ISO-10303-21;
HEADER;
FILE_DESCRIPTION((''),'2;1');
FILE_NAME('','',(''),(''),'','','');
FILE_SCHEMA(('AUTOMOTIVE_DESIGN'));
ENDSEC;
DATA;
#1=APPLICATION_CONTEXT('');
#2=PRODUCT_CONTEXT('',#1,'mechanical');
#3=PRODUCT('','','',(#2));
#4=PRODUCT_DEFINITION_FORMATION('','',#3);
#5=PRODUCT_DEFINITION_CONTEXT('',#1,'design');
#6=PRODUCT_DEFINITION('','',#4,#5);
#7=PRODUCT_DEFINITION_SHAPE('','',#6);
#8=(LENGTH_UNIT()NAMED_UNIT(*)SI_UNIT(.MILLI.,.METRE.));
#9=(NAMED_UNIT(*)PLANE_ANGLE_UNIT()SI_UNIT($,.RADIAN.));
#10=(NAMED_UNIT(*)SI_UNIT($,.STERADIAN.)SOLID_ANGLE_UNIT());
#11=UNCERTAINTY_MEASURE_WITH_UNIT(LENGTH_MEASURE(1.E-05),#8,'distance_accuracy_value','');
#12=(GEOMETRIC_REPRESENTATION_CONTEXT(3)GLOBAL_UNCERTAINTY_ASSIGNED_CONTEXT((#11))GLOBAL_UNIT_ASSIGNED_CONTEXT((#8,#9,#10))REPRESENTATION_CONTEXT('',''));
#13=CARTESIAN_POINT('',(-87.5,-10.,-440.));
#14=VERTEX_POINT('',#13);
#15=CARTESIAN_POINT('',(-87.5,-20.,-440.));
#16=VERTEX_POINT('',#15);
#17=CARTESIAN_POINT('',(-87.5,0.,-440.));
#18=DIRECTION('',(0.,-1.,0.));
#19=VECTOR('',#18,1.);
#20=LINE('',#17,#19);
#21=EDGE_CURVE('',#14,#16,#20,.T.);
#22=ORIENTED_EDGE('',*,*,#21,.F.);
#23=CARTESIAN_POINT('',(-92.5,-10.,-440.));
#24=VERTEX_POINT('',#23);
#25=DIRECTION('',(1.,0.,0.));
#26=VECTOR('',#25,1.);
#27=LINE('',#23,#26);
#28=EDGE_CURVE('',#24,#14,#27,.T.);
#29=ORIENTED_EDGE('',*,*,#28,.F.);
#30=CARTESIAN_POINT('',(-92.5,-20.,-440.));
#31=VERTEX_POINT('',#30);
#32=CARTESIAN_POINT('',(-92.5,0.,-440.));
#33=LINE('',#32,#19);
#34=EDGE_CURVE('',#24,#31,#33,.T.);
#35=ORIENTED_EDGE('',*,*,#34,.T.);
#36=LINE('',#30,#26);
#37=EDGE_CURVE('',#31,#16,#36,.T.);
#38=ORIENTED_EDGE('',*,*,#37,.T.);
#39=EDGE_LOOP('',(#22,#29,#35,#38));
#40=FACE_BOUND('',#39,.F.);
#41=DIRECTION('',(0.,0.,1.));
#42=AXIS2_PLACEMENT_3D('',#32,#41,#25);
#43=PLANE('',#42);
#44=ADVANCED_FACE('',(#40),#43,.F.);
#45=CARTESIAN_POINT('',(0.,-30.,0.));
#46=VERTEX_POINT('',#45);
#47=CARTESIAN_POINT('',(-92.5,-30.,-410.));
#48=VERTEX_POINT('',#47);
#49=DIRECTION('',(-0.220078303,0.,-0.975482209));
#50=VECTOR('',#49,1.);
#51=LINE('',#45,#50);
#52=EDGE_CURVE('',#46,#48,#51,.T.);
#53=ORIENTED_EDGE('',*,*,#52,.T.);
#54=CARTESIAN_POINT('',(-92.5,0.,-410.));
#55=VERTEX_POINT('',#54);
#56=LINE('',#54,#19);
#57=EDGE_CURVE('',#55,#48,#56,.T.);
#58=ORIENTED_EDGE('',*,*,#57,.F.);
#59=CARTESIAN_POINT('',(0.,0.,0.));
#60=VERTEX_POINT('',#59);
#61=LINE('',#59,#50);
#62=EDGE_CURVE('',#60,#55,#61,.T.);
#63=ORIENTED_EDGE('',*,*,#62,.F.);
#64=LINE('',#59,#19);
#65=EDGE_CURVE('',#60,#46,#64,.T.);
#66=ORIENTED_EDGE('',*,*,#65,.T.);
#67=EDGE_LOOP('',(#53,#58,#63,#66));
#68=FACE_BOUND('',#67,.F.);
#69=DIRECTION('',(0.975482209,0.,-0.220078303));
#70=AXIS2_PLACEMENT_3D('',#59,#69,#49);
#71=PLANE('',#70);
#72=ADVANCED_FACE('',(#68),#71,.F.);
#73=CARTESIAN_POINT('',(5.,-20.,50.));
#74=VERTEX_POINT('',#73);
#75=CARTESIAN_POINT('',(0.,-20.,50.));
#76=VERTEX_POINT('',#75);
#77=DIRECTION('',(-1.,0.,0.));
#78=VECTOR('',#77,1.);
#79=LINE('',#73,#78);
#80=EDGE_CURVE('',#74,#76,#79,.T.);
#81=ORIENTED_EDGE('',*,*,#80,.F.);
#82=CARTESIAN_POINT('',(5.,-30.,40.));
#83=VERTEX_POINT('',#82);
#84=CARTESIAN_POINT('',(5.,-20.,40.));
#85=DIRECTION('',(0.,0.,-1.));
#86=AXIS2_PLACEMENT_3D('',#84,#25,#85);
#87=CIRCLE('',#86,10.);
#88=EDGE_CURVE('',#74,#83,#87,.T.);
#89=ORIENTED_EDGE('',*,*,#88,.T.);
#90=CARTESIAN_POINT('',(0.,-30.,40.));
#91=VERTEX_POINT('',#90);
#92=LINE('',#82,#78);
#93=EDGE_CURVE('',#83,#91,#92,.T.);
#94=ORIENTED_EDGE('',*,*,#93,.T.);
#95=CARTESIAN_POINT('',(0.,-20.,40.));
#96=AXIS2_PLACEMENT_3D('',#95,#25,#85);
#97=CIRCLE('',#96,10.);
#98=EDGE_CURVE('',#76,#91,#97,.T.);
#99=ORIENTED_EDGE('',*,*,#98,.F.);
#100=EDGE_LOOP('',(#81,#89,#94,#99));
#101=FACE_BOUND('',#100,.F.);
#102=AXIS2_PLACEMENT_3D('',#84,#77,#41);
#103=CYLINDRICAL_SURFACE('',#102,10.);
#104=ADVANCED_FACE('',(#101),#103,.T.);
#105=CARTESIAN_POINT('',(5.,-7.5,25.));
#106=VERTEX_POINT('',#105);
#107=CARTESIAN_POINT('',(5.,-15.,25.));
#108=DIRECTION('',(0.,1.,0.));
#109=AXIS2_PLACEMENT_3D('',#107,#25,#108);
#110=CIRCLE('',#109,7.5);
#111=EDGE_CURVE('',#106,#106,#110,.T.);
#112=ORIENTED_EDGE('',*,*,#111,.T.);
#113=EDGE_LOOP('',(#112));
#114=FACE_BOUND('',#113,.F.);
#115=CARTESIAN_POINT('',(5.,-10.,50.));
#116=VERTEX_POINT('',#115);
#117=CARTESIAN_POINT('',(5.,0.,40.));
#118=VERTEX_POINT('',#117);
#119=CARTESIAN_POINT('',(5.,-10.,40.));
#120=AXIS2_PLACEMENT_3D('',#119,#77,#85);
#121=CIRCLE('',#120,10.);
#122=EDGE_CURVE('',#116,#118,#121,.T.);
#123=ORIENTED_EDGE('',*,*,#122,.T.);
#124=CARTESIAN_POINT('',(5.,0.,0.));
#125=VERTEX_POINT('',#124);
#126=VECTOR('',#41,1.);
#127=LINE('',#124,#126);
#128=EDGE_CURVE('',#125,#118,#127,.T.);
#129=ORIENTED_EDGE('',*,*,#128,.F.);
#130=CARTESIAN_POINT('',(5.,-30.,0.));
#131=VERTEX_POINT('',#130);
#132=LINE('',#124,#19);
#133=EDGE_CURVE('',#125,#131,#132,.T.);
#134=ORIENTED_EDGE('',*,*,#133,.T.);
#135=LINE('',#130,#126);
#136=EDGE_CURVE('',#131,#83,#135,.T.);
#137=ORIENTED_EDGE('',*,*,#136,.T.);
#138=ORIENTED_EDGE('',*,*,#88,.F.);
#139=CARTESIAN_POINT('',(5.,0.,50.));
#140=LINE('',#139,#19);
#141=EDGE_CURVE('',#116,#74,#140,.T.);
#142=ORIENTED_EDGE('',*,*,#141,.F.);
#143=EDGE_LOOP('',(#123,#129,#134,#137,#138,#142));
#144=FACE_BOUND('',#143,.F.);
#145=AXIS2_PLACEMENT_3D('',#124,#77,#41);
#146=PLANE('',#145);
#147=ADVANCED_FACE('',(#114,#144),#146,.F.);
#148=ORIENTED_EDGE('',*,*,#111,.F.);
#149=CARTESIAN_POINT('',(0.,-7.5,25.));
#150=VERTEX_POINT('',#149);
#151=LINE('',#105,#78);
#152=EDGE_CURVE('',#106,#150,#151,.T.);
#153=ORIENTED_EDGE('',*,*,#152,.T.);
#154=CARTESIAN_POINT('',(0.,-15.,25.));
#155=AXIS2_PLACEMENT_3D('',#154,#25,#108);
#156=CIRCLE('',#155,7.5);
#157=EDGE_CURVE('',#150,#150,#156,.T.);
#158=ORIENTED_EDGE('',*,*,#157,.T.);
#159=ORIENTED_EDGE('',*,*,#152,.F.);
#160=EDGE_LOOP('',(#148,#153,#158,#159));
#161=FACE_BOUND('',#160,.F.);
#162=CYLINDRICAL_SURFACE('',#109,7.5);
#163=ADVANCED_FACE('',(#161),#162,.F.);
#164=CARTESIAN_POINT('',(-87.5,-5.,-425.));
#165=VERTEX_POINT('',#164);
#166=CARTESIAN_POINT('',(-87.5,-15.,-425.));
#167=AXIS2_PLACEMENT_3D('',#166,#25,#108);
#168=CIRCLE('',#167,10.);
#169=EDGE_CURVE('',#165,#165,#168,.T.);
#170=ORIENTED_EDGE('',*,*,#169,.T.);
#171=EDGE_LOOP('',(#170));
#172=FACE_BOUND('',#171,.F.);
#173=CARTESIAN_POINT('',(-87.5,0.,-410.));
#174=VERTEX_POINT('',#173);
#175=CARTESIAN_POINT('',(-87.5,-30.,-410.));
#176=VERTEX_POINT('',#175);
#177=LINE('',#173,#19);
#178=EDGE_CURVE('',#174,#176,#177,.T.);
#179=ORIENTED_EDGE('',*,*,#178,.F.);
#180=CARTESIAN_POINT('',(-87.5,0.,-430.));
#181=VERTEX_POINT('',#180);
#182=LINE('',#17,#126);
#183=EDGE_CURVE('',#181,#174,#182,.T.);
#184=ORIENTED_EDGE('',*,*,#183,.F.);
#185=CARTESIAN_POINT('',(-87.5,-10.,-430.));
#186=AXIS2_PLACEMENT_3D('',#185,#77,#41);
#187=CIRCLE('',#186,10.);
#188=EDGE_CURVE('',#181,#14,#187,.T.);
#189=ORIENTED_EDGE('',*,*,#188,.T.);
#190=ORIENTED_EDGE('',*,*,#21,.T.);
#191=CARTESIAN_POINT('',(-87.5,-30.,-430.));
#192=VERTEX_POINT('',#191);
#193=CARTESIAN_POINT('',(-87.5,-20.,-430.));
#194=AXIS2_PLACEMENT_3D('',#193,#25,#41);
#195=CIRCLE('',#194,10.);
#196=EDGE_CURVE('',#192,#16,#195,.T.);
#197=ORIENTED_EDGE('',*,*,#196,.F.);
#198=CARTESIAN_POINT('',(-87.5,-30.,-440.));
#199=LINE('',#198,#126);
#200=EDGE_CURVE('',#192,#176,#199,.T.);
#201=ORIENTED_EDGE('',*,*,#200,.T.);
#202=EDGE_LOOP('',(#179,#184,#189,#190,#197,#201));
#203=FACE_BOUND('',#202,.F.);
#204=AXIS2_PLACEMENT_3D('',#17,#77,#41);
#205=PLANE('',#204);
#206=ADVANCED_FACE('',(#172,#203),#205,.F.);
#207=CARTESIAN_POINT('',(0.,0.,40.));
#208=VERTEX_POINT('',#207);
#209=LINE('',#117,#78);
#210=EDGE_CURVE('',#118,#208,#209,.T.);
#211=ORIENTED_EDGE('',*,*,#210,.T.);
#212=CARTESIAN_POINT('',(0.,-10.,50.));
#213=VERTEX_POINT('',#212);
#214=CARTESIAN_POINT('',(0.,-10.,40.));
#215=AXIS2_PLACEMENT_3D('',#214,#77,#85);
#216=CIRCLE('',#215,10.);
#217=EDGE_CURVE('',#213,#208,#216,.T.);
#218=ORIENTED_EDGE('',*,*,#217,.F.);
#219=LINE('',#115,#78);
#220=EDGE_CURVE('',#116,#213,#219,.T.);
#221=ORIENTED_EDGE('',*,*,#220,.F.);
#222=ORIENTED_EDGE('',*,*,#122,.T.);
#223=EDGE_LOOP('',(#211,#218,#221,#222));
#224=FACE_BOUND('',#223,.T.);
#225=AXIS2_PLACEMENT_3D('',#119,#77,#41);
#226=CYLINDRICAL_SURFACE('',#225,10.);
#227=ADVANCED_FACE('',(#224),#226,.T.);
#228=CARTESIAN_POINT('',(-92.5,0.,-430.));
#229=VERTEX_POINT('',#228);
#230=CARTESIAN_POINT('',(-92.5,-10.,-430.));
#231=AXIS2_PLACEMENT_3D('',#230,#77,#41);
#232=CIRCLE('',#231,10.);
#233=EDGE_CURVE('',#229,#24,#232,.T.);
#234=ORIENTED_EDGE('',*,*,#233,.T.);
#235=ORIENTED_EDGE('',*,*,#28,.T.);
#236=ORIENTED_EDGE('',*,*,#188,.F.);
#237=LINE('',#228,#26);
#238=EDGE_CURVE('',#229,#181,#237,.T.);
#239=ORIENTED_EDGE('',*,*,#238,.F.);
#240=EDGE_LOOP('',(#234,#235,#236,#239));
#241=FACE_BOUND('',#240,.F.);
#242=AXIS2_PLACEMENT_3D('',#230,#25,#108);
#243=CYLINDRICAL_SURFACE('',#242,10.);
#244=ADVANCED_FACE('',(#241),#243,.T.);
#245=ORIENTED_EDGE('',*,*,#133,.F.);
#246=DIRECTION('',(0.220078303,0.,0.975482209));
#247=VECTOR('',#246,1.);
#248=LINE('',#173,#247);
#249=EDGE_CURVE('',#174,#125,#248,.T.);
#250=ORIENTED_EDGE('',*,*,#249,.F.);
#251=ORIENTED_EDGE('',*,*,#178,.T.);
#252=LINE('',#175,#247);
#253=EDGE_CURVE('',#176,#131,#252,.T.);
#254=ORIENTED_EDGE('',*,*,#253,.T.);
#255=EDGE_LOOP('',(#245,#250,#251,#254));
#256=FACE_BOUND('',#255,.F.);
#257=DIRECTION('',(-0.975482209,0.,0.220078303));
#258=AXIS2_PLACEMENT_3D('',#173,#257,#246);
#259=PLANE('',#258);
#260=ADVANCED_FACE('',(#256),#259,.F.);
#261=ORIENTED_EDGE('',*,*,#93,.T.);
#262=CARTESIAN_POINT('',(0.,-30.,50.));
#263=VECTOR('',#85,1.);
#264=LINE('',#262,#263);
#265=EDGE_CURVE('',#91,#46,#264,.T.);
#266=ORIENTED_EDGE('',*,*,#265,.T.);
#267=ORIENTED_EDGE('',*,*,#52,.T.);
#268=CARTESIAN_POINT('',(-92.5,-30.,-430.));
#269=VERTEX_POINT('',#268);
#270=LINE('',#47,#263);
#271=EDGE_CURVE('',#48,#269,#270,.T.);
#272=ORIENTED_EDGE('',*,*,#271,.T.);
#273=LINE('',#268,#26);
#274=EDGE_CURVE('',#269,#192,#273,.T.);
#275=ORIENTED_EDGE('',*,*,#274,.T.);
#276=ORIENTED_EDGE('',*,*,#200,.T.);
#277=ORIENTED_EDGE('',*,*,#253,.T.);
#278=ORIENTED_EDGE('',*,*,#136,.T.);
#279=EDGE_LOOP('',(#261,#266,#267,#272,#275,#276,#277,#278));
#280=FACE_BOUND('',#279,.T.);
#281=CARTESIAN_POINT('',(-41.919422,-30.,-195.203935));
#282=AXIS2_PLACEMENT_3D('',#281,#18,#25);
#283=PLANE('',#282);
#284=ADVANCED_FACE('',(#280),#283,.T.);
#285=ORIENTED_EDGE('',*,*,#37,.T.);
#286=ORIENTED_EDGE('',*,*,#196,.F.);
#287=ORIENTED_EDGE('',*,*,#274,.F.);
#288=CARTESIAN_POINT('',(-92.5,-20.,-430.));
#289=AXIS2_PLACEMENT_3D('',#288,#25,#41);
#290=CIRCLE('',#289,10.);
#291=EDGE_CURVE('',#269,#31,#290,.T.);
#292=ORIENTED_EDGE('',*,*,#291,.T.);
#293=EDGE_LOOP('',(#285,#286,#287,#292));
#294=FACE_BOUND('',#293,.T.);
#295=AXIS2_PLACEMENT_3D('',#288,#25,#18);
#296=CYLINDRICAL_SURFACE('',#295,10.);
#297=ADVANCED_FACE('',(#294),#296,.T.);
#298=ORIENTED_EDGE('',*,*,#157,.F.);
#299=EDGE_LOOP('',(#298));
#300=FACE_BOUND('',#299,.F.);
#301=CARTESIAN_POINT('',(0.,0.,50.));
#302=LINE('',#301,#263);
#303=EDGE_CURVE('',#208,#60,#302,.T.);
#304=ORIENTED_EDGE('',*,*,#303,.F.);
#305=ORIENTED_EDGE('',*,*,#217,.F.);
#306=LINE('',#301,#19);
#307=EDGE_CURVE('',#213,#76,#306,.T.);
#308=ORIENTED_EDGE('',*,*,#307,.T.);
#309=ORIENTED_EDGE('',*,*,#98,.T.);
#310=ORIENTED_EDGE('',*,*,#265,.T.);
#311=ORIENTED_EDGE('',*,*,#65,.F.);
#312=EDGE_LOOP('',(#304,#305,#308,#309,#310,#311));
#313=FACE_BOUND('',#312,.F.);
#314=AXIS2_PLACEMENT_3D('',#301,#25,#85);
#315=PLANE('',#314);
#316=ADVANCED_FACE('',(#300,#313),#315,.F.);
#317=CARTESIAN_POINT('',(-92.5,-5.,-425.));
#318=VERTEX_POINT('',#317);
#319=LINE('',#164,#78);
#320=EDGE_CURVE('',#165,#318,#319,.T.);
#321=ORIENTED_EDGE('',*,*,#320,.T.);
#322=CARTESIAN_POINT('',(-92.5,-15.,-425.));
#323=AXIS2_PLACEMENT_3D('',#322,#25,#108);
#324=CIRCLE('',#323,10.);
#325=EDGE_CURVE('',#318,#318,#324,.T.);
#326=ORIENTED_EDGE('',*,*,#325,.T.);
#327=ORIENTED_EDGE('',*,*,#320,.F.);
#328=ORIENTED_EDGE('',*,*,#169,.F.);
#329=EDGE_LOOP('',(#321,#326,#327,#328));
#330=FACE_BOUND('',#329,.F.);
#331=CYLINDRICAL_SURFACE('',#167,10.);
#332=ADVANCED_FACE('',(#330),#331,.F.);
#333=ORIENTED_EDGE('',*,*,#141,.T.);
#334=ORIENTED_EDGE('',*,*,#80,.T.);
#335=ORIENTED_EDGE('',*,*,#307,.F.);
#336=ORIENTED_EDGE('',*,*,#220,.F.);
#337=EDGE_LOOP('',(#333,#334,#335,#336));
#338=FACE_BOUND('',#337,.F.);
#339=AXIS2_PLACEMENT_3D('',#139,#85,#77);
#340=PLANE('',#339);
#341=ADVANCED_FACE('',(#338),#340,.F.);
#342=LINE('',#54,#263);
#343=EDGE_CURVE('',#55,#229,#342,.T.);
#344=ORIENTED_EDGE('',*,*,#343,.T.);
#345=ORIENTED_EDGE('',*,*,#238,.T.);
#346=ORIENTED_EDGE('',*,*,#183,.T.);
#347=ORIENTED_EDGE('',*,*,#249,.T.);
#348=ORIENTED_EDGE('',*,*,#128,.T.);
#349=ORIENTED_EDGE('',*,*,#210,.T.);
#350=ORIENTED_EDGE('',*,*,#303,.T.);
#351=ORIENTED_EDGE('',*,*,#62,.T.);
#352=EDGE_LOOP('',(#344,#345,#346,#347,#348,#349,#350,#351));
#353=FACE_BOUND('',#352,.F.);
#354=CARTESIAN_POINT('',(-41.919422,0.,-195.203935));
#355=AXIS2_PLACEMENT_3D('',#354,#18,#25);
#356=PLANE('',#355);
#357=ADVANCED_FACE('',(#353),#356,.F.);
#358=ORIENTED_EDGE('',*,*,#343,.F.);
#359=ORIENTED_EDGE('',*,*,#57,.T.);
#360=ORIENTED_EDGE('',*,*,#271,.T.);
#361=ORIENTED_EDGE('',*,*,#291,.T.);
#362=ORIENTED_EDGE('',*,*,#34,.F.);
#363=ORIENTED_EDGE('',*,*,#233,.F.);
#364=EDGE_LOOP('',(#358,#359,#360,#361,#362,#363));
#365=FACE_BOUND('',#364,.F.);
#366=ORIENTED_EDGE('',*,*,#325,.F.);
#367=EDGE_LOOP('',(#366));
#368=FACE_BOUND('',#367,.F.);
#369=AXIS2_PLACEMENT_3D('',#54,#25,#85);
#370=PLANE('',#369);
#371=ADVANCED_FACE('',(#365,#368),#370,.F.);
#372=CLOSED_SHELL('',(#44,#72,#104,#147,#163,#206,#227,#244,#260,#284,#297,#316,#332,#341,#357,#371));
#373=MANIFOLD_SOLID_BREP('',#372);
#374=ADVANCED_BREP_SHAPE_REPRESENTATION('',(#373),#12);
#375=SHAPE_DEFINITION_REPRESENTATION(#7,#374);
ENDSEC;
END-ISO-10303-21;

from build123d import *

# Parameters (mm, degrees)
F1_DEPTH = 30
F2_R     = 7.5
F3_DEPTH = 97.501
F4_R     = 10
F5_DEPTH = 5.001
F6_R     = 10


with BuildPart() as f1:
    # F0 (on Front) → F1 (new body)
    with BuildSketch(Plane.XZ):
        Polygon((0, 50), (0, 0), (-92.5, -410), (-92.5, -440), (-87.5, -440), (-87.5, -410), (5, 0), (5, 50), align=None)
    extrude(amount=F1_DEPTH)

    # F2 (on face) → F3 (cut, through all)
    with BuildSketch(Plane.YZ.offset(5)):
        with Locations((-15, 25)):
            Circle(F2_R)
    extrude(amount=-F3_DEPTH, mode=Mode.SUBTRACT)

    # F4 (on face) → F5 (cut, through all)
    with BuildSketch(Plane.YZ.offset(-87.5)):
        with Locations((-15, -425)):
            Circle(F4_R)
    extrude(amount=-F5_DEPTH, mode=Mode.SUBTRACT)

    # F6
    f6_edges = [f1.edges().sort_by_distance(p)[0] for p in [
        (-90, -30, -440),
        (-90, 0, -440),
        (2.5, -30, 50),
        (2.5, 0, 50),
    ]]
    fillet(f6_edges, radius=F6_R)


solid = f1.part
